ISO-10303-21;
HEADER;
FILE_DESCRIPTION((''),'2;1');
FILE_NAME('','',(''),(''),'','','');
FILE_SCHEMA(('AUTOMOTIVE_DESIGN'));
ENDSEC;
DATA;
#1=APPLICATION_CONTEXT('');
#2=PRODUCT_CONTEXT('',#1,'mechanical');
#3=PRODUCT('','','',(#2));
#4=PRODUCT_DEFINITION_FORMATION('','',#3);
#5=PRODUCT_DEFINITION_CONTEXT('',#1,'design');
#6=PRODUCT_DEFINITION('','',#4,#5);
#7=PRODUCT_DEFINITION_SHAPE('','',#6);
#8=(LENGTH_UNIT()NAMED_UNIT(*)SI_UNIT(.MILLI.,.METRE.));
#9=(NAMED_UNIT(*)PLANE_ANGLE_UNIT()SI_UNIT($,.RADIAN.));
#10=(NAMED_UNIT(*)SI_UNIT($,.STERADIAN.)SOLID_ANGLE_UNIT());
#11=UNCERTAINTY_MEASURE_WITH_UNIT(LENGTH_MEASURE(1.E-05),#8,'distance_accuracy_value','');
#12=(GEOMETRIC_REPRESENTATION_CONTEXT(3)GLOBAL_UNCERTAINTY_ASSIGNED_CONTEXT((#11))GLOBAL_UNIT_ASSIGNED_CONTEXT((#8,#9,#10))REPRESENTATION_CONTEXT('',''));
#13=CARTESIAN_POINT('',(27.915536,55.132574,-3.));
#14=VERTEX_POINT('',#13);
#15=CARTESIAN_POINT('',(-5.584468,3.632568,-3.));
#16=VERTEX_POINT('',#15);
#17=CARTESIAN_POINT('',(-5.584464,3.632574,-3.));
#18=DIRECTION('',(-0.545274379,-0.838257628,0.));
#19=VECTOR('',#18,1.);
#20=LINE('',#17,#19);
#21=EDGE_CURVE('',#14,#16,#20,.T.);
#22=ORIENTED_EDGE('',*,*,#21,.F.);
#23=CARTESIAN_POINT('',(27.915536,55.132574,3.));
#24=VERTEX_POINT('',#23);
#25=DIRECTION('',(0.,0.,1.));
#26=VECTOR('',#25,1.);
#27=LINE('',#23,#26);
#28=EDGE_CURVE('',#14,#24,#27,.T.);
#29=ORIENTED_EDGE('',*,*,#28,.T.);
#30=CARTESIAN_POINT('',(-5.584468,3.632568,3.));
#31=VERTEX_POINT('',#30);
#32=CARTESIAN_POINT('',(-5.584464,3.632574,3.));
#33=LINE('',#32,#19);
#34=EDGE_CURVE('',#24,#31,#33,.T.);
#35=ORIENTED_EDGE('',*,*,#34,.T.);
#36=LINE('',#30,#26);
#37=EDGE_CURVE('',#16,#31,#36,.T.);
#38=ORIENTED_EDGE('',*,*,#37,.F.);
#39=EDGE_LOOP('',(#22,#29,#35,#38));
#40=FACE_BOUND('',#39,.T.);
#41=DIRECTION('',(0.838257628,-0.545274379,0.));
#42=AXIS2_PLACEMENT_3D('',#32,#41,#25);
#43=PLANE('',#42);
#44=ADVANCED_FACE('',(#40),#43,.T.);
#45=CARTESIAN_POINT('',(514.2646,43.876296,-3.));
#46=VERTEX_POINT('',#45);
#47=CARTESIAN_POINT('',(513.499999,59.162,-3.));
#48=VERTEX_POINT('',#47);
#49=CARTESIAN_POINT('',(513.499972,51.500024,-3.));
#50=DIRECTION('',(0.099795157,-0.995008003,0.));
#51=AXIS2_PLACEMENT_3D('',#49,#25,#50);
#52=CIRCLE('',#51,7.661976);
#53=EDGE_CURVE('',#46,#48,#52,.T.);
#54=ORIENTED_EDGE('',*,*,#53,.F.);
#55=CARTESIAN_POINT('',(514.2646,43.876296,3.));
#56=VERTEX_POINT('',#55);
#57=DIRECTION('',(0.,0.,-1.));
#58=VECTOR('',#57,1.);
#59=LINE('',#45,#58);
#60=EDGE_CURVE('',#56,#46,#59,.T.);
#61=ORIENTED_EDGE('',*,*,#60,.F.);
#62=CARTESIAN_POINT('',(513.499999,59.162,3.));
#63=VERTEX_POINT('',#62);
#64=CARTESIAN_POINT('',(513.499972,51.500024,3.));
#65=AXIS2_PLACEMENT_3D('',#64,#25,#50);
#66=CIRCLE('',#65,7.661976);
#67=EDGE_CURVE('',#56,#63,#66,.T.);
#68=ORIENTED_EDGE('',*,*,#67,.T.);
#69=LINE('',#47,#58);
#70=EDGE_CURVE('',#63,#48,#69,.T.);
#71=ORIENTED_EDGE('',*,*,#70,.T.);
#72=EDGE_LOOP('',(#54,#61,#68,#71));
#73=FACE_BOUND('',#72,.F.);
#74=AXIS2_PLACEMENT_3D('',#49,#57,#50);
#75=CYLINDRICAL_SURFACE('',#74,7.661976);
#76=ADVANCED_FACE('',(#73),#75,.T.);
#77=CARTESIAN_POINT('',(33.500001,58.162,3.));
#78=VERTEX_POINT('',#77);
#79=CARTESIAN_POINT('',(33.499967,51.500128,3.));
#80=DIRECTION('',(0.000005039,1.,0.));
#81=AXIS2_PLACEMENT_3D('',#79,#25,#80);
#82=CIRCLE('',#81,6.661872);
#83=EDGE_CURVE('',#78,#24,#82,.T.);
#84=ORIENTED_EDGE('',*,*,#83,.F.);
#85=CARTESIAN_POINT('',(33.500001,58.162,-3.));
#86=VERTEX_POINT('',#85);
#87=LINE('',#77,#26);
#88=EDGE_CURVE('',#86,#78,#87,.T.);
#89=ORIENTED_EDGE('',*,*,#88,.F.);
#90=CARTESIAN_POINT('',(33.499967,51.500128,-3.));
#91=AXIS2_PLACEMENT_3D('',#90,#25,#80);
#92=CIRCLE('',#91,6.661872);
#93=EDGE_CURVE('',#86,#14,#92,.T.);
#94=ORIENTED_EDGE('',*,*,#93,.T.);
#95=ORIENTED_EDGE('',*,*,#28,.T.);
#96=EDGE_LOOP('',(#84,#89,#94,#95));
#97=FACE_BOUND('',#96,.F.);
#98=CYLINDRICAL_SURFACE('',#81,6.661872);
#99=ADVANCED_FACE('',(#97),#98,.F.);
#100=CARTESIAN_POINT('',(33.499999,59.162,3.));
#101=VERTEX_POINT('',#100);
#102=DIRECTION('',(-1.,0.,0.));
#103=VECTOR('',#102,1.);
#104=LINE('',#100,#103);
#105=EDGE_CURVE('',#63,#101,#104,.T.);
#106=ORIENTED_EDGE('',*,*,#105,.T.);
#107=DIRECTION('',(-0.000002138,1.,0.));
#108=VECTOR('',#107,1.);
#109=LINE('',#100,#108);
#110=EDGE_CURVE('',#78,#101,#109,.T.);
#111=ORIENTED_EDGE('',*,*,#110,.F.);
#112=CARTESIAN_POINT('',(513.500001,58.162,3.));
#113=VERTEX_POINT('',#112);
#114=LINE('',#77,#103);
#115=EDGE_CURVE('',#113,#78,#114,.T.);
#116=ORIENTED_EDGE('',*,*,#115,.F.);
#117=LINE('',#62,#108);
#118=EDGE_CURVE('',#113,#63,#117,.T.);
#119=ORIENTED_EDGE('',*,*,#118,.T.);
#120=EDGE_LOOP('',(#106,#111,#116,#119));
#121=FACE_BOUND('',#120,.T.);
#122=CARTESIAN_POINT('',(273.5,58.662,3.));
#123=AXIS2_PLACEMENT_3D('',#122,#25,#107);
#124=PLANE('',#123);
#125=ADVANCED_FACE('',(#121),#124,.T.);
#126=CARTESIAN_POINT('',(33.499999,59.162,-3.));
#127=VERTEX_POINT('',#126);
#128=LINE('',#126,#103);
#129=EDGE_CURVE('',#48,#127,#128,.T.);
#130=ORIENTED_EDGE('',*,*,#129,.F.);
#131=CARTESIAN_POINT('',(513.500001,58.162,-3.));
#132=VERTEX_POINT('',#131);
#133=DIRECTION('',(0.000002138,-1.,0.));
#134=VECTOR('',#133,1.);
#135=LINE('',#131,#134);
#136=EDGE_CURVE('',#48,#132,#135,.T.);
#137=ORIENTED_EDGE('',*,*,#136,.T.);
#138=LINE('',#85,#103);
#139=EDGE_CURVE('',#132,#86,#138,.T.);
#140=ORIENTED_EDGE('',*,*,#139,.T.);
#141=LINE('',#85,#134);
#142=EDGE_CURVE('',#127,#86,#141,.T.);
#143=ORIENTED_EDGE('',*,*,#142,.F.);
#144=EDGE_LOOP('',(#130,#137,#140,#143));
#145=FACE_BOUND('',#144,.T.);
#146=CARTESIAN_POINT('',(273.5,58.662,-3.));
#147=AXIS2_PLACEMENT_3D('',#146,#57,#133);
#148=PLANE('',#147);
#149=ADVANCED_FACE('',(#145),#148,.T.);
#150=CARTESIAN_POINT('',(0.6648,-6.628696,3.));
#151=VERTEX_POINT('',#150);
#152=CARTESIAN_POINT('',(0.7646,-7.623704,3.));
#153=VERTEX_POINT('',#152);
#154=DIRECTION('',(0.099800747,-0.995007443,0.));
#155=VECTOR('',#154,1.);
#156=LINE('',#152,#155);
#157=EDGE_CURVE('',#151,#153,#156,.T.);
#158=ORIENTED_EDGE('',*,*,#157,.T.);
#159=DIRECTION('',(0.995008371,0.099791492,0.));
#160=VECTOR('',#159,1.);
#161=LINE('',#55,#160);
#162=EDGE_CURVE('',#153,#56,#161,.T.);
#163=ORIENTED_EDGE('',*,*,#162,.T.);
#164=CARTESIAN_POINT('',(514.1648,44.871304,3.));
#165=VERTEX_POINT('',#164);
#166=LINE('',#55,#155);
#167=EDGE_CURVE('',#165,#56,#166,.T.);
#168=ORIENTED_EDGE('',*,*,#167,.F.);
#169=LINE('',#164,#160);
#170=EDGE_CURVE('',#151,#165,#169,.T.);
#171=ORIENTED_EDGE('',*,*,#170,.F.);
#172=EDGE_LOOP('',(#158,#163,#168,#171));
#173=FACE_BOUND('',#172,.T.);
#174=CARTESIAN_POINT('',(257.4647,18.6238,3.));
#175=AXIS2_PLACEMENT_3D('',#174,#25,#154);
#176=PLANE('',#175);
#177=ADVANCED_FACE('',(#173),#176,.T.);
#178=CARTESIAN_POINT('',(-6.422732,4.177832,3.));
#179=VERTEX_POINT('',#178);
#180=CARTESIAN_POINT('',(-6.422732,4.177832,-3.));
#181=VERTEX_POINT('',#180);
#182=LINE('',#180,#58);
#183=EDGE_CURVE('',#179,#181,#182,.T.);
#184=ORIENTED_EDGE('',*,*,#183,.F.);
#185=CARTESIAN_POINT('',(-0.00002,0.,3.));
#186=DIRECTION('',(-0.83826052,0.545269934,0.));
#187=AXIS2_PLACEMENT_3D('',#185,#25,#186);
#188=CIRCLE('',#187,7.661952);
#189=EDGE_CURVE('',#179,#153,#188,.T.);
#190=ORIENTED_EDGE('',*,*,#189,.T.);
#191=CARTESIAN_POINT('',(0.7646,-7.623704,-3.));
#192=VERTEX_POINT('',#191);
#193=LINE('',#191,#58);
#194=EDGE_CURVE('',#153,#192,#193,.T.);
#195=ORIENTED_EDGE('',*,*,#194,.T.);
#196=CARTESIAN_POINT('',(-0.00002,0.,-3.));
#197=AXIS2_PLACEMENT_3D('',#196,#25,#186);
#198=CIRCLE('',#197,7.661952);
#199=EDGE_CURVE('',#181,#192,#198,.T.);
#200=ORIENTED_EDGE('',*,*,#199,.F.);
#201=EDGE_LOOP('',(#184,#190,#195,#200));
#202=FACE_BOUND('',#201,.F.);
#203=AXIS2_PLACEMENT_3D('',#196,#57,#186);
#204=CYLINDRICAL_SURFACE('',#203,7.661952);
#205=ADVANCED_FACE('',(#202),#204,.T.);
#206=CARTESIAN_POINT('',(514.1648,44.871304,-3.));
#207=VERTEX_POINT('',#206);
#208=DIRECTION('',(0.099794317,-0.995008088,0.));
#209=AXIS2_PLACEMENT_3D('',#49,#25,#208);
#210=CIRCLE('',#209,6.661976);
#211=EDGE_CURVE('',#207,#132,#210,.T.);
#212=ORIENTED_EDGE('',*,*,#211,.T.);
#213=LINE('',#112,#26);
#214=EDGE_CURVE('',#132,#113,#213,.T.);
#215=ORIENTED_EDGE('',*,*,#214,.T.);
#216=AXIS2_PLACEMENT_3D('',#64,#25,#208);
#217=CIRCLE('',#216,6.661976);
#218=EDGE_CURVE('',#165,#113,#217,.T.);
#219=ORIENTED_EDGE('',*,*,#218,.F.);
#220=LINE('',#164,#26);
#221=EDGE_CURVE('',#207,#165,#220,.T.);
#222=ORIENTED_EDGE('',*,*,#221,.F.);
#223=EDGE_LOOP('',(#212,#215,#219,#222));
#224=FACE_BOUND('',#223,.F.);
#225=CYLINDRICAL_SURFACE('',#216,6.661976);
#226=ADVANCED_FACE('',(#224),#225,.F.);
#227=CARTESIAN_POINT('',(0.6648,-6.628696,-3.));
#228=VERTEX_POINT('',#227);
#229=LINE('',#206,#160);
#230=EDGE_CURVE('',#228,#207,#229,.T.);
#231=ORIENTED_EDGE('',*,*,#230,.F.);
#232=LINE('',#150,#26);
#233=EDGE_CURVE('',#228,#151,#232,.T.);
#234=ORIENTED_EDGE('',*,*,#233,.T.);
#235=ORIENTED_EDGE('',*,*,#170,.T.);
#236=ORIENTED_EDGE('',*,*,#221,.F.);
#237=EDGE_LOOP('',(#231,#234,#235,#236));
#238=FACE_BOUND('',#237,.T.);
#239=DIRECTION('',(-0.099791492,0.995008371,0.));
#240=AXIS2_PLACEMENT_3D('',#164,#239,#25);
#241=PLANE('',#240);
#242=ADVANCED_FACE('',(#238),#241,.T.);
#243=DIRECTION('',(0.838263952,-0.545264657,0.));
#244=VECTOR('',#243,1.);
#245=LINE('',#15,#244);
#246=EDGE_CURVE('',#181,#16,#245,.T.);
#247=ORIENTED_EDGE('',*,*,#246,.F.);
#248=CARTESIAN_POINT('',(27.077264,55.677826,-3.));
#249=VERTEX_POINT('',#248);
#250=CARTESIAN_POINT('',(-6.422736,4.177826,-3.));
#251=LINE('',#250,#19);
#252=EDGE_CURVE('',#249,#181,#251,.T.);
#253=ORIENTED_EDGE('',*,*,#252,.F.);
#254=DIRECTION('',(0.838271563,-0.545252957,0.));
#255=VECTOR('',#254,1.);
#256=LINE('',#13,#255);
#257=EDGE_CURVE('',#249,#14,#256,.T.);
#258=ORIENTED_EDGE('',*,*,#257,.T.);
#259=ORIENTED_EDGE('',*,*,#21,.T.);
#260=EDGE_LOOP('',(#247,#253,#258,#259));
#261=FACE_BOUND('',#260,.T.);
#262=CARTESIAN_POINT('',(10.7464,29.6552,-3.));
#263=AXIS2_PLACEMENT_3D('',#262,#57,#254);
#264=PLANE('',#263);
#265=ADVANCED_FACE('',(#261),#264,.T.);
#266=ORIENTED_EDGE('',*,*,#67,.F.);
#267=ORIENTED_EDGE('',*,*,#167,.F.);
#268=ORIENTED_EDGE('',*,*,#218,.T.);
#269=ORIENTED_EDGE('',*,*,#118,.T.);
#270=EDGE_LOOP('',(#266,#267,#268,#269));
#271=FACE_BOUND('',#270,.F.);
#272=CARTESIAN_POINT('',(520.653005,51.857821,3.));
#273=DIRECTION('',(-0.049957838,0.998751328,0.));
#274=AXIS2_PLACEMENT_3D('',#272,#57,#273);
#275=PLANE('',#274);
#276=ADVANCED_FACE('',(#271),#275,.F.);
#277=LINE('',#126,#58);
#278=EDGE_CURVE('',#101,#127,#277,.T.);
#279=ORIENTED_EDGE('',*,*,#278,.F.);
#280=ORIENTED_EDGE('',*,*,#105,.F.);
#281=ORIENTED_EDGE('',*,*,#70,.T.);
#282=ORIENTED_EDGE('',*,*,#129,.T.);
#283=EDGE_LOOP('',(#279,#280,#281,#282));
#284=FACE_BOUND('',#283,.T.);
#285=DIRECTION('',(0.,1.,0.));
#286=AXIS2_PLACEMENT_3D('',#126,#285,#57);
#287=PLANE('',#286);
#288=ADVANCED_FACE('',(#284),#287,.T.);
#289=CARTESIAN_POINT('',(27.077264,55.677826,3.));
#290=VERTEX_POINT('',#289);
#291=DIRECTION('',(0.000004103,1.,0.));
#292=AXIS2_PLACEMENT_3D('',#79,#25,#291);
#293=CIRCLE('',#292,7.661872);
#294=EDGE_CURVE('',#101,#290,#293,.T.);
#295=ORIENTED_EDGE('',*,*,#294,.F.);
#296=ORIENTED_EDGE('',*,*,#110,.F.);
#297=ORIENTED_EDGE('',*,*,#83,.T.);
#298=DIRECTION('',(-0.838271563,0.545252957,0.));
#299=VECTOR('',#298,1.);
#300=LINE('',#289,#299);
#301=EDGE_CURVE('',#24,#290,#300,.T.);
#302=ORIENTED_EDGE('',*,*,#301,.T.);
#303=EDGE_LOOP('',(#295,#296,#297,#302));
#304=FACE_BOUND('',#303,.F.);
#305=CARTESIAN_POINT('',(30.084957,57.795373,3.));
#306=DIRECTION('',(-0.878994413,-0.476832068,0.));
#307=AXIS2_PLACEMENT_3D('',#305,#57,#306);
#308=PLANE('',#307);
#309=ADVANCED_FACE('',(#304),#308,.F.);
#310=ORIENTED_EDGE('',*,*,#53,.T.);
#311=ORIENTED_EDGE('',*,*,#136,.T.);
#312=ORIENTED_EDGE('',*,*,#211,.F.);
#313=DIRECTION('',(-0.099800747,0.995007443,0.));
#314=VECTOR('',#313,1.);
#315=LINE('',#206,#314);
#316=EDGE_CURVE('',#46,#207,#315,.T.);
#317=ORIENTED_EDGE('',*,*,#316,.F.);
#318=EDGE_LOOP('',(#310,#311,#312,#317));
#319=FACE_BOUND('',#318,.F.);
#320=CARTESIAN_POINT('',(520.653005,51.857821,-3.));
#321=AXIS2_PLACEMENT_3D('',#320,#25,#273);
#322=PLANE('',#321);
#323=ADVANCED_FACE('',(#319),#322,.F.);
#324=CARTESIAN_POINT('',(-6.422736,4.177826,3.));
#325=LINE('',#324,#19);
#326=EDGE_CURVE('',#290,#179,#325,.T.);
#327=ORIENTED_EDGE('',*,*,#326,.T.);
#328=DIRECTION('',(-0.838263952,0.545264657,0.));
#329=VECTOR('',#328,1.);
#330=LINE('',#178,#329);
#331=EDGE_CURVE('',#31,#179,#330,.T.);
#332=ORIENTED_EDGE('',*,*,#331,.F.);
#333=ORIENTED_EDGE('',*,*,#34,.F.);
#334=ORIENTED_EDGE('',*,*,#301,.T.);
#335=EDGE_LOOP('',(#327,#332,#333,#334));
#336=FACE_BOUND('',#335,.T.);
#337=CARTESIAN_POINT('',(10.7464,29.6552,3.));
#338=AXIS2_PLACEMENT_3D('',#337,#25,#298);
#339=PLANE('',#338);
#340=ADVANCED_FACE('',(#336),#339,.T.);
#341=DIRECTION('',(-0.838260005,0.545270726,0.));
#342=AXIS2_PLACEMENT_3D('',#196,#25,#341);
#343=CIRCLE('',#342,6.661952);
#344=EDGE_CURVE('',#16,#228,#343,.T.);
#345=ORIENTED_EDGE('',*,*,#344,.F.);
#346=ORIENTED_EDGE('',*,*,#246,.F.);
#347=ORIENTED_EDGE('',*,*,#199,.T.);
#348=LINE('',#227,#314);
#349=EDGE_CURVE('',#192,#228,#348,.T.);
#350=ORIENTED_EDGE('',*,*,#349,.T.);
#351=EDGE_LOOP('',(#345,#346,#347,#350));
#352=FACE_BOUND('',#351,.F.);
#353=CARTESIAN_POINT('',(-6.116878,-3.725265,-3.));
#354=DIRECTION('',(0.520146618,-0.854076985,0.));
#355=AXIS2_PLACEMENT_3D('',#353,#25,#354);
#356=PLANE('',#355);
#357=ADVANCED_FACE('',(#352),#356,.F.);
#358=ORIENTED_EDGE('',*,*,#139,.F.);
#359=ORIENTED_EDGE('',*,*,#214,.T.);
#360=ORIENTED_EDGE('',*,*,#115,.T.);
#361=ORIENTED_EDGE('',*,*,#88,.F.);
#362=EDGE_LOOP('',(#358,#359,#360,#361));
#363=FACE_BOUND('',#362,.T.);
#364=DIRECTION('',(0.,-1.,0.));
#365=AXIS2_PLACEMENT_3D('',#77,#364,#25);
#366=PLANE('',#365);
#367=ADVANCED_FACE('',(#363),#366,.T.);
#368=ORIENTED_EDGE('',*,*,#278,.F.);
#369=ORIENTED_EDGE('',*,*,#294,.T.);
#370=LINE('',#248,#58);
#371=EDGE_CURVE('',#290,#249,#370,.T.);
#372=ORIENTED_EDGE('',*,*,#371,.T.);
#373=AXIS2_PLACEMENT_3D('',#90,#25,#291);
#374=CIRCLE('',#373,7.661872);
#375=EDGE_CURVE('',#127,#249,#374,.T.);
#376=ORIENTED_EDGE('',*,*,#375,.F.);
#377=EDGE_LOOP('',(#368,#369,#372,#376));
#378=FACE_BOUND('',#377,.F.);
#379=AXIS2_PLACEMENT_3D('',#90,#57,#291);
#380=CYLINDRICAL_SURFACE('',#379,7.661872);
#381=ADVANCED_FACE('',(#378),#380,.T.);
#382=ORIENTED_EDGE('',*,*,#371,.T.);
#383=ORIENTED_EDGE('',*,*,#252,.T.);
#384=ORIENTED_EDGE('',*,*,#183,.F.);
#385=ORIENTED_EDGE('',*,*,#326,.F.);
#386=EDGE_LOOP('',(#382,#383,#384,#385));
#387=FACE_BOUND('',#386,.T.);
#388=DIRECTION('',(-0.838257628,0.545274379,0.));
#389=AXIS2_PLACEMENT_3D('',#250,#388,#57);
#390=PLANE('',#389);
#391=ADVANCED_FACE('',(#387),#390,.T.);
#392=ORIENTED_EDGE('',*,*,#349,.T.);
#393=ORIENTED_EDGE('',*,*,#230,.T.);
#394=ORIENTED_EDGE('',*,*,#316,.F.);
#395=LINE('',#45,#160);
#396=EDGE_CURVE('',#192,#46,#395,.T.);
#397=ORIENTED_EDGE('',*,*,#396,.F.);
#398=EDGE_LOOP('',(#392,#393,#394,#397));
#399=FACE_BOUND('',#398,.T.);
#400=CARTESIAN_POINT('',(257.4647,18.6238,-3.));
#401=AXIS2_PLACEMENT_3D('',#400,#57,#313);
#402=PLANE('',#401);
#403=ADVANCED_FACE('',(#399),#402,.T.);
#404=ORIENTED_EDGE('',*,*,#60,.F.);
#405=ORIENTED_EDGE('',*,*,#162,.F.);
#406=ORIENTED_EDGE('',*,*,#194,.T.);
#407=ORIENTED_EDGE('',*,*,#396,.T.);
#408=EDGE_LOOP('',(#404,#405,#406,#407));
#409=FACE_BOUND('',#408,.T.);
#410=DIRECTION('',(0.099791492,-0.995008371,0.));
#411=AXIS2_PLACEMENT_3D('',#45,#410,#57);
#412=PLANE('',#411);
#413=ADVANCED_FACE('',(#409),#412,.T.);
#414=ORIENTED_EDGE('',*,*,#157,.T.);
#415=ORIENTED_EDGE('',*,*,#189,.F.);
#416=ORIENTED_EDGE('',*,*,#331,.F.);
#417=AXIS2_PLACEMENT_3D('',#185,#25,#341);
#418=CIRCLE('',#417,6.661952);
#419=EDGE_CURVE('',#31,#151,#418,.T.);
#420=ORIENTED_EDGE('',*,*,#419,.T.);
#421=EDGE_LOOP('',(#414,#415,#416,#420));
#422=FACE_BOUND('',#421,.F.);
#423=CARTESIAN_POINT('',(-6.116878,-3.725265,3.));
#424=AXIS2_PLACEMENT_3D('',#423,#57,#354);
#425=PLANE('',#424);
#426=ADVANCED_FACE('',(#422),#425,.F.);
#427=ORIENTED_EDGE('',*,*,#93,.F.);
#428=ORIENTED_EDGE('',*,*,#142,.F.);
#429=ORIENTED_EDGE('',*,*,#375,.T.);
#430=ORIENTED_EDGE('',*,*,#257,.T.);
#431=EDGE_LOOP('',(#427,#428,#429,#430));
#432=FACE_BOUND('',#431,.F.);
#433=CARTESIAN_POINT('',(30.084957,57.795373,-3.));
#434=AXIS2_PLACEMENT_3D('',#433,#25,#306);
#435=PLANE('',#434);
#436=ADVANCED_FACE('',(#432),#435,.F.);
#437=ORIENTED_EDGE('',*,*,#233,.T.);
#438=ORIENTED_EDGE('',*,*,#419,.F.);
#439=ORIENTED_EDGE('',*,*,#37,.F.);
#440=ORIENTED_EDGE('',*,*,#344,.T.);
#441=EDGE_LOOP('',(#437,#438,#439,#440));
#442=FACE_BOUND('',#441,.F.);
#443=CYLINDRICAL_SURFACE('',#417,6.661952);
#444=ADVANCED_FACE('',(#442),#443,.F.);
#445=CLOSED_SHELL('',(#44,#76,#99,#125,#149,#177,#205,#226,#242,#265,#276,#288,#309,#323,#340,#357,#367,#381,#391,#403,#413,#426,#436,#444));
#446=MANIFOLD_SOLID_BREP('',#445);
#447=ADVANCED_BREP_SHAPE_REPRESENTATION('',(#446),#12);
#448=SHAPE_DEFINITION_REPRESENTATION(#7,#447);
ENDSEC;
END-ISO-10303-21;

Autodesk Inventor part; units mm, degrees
sketch "Skizzenpfad" plane through (0, 0, 0) normal (0, 0, 1) x (1, 0, 0)
  arc A0 (-6.0036, 3.9052) -> (0.7147, -7.1262) centre (0, 0) ccw
  arc A1 (33.5, 58.662) -> (27.4964, 55.4052) centre (33.5, 51.5) ccw
  arc A2 (514.2147, 44.3738) -> (513.5, 58.662) centre (513.5, 51.5) ccw
  line L0 (514.2147, 44.3738) -> (0.7147, -7.1262)
  line L1 (-6.0036, 3.9052) -> (27.4964, 55.4052)
  line L2 (33.5, 58.662) -> (513.5, 58.662)
ref_plane "Querschnittsebene" through (0.7147, -7.1262, 0) normal (0.995, 0.0998, 0) x (0, 0, 1)
ref_plane "Arbeitsebene2" through (0, 0, 0) normal (-1, 0, 0) x (0, 0, 1)
ref_plane "Arbeitsebene3" through (33.5, 51.5, 0) normal (-0.6226, -0.7826, 0) x (0, 0, 1)
ref_plane "Arbeitsebene4" through (513.5, 51.5, 0) normal (-0.8788, 0.4772, 0) x (0, 0, 1)
sketch "Querschnitt" plane through (0.7147, -7.1262, 0) normal (0.995, 0.0998, 0) x (0, 0, 1)
  line L0 (-3, 0.5) -> (3, 0.5)
  line L1 (3, 0.5) -> (3, -0.5)
  line L2 (3, -0.5) -> (-3, -0.5)
  line L3 (-3, -0.5) -> (-3, 0.5)
  line L4 (-3, 0) -> (3, 0) construction
  point P0 (0, 0)
  point P1 (0, 0)
  dimension "d0" = 6
  dimension "d4" = 0.5
  dimension "d5" = 0.5
sweep "Riemen" add profiles "Querschnitt" path "Skizzenpfad"
equation "\"d0\" = da_B"
equation "\"d4\" = da_a"
equation "\"d5\" = da_a2"
equation "\"da_B\" = 6"
equation "\"da_pb\" = 5"
equation "\"da_L\" = 1102.51302"
equation "\"da_a\" = 0.5"
equation "\"da_S\" = 2.65"
equation "\"da_Beta\" = 20deg"
equation "\"da_Ht\" = 1.2"
equation "\"da_H\" = 2.2"
equation "\"da_a2\" = 0.5"
properties part number "Zahnriemen" material "Rubber"
